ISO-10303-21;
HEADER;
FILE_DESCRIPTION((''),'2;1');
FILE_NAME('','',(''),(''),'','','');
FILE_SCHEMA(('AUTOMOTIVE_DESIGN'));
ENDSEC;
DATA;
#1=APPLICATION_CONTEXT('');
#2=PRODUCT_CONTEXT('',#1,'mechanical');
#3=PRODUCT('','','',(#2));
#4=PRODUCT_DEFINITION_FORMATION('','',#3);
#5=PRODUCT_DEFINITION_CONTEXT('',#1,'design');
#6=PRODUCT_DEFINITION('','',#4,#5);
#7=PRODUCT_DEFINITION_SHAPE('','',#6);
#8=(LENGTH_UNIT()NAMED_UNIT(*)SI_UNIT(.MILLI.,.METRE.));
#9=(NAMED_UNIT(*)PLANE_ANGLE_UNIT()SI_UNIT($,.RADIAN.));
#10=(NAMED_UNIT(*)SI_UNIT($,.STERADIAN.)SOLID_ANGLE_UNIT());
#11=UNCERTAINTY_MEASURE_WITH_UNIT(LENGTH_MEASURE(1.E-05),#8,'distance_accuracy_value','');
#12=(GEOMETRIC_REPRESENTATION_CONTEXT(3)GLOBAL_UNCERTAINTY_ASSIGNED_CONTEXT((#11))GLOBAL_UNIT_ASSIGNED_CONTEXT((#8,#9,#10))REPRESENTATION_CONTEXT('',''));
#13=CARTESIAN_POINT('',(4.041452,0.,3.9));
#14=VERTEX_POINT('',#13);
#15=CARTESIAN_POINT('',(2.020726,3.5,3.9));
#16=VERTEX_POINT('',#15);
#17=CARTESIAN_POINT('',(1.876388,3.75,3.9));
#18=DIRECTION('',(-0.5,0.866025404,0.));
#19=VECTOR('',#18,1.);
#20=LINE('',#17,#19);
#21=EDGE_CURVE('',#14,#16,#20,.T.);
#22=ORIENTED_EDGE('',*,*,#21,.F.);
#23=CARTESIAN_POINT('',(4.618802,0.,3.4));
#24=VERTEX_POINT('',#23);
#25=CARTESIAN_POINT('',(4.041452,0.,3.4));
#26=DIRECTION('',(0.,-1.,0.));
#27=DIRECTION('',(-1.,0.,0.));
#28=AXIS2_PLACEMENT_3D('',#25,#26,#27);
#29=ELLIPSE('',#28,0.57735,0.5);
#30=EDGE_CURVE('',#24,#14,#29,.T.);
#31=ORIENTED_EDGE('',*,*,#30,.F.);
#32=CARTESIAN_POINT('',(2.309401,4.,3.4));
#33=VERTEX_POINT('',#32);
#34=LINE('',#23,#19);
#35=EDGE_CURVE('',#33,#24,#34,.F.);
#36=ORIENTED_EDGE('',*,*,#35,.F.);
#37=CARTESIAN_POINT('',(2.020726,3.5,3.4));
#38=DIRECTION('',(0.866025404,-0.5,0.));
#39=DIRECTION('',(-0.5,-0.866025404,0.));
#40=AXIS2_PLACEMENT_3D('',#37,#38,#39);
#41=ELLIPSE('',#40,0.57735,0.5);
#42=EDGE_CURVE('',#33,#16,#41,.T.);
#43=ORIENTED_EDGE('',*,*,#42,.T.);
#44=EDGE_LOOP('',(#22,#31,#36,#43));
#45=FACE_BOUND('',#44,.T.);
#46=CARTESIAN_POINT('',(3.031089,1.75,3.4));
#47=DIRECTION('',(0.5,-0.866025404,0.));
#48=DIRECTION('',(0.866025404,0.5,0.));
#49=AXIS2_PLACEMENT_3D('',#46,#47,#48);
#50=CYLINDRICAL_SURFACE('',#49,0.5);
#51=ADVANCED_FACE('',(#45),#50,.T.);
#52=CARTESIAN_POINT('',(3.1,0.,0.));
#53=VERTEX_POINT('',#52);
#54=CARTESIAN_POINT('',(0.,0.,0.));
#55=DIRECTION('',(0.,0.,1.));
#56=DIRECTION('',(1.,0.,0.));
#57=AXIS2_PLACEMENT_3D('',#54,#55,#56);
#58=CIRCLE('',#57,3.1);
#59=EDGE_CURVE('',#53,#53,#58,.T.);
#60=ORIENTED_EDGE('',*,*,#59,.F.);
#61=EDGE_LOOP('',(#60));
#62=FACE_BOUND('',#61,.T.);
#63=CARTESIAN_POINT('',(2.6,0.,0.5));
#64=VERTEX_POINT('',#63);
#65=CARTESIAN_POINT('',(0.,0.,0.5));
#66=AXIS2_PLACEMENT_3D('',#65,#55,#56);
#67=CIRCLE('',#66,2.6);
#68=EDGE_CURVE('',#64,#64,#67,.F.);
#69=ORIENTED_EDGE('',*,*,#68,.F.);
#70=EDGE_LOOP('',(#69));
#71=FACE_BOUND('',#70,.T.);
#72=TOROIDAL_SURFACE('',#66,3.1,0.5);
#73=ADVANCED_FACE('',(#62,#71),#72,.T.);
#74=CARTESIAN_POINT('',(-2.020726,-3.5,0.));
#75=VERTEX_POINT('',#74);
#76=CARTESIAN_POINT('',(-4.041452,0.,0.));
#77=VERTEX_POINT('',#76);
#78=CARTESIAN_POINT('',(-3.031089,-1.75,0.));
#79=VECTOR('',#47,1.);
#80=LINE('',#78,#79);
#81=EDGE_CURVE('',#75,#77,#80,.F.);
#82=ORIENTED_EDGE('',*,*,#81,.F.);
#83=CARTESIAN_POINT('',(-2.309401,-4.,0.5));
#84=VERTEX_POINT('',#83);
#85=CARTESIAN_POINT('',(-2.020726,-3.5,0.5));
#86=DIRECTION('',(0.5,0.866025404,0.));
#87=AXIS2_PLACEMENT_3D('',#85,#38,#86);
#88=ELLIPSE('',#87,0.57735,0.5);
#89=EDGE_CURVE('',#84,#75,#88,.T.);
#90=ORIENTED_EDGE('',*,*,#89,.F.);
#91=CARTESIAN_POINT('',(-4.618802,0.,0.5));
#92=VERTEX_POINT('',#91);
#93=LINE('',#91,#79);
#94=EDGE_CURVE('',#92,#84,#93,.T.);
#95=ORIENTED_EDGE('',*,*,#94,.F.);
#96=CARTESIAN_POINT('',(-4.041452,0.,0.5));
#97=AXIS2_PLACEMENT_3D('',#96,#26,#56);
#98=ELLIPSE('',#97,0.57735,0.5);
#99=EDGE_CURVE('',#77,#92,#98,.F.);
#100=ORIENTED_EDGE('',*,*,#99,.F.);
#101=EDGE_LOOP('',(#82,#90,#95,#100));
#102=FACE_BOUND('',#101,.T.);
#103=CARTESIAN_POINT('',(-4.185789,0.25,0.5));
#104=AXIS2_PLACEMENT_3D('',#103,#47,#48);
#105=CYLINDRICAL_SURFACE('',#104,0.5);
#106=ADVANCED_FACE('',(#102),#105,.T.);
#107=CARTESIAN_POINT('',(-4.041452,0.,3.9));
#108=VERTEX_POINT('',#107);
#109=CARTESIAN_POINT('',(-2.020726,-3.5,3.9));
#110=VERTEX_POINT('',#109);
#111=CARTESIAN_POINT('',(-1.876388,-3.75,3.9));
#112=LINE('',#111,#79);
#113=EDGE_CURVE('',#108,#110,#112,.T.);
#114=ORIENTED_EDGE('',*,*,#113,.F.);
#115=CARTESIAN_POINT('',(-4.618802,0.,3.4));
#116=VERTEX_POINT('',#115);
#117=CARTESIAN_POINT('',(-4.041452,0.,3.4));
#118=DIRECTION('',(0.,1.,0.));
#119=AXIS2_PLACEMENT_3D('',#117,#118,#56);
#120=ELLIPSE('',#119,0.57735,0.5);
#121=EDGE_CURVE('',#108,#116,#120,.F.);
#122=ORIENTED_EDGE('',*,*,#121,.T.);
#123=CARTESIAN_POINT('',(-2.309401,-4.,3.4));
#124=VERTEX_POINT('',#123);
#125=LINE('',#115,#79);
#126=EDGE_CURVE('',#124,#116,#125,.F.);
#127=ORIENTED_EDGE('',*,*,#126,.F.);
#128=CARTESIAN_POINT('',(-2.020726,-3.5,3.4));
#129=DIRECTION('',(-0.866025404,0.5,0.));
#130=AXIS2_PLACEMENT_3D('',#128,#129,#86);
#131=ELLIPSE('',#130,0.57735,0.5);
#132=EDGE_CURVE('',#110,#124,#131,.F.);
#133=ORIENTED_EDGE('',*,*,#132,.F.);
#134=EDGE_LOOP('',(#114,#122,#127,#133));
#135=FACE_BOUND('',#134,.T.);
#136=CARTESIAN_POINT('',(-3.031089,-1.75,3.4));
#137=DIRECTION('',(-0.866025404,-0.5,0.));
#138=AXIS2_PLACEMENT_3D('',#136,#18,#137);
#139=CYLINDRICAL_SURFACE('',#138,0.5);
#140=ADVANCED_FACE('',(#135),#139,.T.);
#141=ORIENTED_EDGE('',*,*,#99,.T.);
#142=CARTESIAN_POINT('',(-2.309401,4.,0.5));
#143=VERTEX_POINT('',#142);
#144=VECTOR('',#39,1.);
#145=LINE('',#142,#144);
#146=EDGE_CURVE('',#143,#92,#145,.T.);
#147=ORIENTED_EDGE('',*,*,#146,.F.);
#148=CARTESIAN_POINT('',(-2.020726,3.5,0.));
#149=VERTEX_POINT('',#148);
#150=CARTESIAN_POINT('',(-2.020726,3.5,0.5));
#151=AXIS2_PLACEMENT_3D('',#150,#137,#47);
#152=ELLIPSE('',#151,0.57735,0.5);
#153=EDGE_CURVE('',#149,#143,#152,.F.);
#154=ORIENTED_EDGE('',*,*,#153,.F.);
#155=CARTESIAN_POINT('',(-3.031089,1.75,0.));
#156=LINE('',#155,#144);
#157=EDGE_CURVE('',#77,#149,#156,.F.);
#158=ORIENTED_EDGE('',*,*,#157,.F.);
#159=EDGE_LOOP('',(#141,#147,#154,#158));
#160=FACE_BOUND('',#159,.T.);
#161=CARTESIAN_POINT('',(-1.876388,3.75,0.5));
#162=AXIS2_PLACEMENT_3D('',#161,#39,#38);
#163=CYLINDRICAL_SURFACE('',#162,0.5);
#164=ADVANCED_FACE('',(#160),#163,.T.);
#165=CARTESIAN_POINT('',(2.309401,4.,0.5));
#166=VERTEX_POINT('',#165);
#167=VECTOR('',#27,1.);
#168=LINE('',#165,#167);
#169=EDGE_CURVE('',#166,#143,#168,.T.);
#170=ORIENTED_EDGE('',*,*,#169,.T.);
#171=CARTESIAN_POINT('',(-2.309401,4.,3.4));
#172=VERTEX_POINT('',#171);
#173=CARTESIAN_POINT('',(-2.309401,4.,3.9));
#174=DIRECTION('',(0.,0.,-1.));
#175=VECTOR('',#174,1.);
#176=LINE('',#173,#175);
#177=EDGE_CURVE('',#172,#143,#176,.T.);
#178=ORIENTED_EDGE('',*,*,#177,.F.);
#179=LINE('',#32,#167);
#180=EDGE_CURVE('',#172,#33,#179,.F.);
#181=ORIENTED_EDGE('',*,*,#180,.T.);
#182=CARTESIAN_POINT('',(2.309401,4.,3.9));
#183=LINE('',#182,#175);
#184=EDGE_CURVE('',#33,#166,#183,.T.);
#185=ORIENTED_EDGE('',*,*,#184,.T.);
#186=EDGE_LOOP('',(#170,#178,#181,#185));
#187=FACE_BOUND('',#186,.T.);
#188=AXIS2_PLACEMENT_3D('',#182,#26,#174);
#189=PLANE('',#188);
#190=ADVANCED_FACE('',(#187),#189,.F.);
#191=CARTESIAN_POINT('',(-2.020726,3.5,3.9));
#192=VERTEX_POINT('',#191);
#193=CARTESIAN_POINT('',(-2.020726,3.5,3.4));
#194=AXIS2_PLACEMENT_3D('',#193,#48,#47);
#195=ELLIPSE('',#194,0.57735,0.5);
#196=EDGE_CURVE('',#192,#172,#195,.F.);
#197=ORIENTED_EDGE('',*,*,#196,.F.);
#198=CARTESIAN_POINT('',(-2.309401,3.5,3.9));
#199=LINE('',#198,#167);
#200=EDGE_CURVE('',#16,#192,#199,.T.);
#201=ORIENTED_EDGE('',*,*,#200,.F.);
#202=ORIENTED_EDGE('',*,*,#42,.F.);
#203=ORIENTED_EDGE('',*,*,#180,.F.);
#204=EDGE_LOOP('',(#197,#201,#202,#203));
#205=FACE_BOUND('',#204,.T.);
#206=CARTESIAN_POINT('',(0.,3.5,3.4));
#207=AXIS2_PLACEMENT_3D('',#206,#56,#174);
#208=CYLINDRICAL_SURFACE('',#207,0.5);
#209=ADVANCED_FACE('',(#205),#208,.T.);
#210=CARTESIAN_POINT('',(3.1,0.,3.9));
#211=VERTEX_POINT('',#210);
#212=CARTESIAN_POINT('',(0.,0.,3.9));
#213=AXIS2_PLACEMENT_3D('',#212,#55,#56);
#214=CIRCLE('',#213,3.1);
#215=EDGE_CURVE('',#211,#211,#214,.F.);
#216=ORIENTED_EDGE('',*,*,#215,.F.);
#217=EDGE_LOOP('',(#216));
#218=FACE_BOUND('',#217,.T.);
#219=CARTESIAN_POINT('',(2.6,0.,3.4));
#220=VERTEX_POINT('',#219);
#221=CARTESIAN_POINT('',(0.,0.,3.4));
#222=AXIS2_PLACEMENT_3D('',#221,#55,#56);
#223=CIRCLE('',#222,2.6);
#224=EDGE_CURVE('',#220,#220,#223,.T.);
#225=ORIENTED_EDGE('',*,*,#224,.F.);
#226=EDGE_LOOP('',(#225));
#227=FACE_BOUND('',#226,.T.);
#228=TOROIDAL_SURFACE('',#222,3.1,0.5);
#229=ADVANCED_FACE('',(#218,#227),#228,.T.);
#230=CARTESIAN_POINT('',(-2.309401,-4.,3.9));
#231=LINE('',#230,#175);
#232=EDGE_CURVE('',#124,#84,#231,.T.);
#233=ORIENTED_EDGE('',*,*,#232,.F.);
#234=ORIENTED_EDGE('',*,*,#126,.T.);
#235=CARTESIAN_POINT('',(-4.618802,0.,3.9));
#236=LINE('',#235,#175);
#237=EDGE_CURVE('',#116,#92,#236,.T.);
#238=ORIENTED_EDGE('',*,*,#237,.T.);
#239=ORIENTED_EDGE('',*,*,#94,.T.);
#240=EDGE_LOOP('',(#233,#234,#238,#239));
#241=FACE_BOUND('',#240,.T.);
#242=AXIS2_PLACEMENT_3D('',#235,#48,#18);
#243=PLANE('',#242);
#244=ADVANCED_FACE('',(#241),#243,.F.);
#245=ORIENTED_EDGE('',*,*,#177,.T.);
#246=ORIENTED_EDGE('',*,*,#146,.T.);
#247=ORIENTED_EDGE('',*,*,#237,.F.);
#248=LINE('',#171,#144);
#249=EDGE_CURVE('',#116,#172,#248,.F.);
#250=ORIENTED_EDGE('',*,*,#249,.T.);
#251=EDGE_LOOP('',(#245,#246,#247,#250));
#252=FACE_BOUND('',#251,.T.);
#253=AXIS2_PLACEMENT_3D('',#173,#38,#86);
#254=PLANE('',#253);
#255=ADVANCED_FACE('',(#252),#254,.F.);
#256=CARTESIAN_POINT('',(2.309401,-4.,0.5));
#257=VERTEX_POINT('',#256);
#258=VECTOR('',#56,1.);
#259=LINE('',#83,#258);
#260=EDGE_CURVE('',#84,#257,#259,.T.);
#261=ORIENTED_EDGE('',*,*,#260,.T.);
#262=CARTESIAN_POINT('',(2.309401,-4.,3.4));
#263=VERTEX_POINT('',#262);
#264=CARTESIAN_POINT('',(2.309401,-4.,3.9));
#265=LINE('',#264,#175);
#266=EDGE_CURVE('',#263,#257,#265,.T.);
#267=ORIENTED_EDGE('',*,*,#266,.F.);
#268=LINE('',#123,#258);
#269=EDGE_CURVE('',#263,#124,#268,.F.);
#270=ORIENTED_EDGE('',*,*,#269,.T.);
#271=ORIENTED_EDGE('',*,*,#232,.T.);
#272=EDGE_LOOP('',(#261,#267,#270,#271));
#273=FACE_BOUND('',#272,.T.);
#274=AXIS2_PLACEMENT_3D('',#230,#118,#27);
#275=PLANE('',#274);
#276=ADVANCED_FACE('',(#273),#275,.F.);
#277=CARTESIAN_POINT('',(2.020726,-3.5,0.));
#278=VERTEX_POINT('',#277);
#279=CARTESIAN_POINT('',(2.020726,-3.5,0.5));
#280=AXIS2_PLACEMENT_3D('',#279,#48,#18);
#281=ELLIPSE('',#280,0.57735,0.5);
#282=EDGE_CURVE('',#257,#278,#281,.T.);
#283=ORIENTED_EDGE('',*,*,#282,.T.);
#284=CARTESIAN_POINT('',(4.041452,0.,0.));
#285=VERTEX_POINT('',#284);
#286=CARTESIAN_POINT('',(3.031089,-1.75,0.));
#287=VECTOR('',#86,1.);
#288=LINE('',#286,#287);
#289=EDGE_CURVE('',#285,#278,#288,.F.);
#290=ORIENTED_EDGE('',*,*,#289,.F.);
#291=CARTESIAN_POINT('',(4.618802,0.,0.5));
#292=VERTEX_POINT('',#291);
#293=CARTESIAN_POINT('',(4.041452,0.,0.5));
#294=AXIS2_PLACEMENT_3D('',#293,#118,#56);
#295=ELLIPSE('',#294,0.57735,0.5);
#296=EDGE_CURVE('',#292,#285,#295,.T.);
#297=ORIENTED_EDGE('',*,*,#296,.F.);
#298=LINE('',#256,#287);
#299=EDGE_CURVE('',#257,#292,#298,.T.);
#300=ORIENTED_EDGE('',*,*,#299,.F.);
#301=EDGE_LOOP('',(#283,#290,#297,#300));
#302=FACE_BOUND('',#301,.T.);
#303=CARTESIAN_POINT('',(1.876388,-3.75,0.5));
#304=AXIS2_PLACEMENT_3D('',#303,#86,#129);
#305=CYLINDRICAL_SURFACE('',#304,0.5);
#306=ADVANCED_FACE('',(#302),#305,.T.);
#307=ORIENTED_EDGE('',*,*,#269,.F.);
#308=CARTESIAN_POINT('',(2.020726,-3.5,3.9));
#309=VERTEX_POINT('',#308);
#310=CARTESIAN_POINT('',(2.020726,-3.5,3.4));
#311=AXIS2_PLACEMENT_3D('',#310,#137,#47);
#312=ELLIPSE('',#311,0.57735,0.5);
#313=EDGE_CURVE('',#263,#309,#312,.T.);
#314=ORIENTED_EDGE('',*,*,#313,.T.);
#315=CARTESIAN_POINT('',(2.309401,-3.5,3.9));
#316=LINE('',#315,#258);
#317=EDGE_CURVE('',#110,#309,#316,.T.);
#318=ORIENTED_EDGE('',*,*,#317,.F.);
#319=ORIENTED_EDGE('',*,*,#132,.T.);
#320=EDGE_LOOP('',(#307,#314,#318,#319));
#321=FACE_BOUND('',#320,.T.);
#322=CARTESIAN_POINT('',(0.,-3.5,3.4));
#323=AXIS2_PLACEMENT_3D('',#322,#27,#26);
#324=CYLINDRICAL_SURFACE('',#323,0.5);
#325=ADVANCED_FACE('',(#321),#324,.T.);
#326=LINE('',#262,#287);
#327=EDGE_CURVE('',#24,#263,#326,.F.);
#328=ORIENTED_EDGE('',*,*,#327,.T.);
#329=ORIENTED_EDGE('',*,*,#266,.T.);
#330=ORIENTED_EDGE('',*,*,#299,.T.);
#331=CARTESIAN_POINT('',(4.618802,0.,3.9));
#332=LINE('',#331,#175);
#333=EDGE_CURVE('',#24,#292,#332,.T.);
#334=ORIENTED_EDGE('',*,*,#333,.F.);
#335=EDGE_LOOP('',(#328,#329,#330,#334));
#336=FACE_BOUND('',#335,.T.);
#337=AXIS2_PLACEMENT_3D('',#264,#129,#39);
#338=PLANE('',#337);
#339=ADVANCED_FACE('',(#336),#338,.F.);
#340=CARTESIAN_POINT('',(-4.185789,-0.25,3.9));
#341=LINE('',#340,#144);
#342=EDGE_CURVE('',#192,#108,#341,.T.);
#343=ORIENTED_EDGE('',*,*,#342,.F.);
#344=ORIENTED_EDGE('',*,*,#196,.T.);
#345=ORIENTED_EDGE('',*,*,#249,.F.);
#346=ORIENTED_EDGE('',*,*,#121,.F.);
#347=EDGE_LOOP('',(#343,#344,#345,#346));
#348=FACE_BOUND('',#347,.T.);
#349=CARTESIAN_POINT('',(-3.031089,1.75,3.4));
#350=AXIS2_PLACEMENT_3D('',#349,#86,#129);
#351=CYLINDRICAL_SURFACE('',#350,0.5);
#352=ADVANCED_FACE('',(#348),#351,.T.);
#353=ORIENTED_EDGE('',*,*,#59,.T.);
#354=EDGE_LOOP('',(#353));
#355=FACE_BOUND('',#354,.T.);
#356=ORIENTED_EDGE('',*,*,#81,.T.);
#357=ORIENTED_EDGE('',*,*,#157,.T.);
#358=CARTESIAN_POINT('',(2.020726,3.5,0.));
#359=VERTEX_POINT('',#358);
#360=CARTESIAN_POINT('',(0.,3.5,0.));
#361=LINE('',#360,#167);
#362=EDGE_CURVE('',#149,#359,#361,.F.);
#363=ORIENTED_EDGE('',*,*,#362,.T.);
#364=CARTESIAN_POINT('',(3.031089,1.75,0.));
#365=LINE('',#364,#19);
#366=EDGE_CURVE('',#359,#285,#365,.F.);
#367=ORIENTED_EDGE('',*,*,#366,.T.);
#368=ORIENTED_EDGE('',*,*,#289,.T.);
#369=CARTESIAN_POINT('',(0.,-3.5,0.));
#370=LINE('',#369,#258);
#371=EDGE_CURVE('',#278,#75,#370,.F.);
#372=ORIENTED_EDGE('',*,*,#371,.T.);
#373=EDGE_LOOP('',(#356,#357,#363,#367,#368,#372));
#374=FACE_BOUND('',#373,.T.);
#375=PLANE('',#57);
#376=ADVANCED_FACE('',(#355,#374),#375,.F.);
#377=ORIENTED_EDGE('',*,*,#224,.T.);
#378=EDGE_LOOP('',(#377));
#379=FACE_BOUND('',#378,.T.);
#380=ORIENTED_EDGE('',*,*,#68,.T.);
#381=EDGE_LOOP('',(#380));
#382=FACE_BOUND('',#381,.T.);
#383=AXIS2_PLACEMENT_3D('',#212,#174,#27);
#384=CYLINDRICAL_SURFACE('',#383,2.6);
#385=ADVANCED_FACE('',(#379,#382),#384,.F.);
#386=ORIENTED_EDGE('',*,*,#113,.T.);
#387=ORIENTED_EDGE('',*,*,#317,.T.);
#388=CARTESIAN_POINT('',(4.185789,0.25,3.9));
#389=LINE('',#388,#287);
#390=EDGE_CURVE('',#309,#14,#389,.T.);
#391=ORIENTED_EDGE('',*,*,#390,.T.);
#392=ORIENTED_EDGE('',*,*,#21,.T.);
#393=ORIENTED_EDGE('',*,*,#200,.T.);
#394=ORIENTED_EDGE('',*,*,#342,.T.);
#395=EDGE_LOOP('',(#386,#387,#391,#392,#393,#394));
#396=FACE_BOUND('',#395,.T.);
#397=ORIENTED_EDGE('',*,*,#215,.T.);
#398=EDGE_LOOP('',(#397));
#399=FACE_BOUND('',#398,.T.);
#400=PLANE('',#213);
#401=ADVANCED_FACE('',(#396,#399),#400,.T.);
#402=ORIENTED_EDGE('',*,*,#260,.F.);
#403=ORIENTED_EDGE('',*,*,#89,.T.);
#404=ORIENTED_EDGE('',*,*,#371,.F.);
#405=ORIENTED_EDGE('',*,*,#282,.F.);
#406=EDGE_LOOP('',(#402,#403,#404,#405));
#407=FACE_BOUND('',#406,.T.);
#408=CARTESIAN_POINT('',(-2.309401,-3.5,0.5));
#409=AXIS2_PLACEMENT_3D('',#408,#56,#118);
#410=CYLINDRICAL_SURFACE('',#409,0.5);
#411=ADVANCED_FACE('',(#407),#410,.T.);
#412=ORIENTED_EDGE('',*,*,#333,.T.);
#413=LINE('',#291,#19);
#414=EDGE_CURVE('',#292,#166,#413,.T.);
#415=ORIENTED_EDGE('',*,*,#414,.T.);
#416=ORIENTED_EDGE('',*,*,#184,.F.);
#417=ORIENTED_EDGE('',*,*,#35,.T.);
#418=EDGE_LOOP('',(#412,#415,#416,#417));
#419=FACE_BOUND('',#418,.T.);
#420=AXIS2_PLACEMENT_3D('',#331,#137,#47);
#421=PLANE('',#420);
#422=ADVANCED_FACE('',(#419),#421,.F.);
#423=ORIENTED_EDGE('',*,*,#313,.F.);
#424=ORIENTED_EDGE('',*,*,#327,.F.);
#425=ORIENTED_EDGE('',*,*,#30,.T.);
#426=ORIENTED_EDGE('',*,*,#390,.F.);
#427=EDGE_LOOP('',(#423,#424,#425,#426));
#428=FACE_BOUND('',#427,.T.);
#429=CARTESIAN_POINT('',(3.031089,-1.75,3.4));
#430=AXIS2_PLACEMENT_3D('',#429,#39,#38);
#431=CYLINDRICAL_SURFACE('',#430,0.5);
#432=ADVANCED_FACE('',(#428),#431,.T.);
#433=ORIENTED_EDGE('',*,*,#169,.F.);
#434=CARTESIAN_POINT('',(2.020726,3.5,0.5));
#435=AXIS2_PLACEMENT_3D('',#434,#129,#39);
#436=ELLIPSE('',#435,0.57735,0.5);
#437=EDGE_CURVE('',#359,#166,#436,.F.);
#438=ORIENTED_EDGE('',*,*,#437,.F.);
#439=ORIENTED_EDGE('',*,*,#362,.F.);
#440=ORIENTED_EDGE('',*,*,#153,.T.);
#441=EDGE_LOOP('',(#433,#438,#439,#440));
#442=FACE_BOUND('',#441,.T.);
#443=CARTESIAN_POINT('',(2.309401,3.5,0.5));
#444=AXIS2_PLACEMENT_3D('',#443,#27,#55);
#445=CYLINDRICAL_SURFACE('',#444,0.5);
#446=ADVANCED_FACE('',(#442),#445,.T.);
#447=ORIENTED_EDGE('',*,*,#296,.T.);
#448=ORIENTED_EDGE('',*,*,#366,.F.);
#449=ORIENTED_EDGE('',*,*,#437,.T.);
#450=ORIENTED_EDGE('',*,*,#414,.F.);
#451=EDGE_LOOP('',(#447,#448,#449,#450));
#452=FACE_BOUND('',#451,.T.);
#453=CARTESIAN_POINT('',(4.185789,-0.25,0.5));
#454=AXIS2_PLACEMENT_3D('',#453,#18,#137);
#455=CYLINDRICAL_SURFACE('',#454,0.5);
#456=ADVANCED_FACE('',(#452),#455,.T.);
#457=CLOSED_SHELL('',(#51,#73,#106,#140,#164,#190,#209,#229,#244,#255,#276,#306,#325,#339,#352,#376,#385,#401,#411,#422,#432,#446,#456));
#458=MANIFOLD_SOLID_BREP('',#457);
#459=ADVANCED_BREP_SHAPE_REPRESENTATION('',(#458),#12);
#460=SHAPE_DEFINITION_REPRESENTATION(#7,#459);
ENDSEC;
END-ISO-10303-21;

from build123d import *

# Parameters (mm, degrees)
SKETCH_1_R      = 2.6
EXTRUDE_1_DEPTH = 3.9
FILLET_1_R      = 0.5


with BuildPart() as part:
    # 草图1 → 凸台-拉伸1 (new body)
    with BuildSketch(Plane.XY):
        Polygon((4.618802154, 0), (2.309401077, 4), (-2.309401077, 4), (-4.618802154, 0), (-2.309401077, -4), (2.309401077, -4), align=None)
        Circle(SKETCH_1_R, mode=Mode.SUBTRACT)
    extrude(amount=EXTRUDE_1_DEPTH)

    # 圆角1
    fillet_1_edges = [part.edges().sort_by_distance(p)[0] for p in [
        (0, 4, 3.9),
        (-3.464101615, 2, 3.9),
        (-2.6, 0, 0),
        (-2.6, 0, 3.9),
        (-3.464101615, -2, 3.9),
        (0, -4, 3.9),
        (3.464101615, -2, 3.9),
        (0, -4, 0),
        (-3.464101615, -2, 0),
        (-3.464101615, 2, 0),
        (0, 4, 0),
        (3.464101615, 2, 0),
        (3.464101615, -2, 0),
        (3.464101615, 2, 3.9),
    ]]
    fillet(fillet_1_edges, radius=FILLET_1_R)


solid = part.part
